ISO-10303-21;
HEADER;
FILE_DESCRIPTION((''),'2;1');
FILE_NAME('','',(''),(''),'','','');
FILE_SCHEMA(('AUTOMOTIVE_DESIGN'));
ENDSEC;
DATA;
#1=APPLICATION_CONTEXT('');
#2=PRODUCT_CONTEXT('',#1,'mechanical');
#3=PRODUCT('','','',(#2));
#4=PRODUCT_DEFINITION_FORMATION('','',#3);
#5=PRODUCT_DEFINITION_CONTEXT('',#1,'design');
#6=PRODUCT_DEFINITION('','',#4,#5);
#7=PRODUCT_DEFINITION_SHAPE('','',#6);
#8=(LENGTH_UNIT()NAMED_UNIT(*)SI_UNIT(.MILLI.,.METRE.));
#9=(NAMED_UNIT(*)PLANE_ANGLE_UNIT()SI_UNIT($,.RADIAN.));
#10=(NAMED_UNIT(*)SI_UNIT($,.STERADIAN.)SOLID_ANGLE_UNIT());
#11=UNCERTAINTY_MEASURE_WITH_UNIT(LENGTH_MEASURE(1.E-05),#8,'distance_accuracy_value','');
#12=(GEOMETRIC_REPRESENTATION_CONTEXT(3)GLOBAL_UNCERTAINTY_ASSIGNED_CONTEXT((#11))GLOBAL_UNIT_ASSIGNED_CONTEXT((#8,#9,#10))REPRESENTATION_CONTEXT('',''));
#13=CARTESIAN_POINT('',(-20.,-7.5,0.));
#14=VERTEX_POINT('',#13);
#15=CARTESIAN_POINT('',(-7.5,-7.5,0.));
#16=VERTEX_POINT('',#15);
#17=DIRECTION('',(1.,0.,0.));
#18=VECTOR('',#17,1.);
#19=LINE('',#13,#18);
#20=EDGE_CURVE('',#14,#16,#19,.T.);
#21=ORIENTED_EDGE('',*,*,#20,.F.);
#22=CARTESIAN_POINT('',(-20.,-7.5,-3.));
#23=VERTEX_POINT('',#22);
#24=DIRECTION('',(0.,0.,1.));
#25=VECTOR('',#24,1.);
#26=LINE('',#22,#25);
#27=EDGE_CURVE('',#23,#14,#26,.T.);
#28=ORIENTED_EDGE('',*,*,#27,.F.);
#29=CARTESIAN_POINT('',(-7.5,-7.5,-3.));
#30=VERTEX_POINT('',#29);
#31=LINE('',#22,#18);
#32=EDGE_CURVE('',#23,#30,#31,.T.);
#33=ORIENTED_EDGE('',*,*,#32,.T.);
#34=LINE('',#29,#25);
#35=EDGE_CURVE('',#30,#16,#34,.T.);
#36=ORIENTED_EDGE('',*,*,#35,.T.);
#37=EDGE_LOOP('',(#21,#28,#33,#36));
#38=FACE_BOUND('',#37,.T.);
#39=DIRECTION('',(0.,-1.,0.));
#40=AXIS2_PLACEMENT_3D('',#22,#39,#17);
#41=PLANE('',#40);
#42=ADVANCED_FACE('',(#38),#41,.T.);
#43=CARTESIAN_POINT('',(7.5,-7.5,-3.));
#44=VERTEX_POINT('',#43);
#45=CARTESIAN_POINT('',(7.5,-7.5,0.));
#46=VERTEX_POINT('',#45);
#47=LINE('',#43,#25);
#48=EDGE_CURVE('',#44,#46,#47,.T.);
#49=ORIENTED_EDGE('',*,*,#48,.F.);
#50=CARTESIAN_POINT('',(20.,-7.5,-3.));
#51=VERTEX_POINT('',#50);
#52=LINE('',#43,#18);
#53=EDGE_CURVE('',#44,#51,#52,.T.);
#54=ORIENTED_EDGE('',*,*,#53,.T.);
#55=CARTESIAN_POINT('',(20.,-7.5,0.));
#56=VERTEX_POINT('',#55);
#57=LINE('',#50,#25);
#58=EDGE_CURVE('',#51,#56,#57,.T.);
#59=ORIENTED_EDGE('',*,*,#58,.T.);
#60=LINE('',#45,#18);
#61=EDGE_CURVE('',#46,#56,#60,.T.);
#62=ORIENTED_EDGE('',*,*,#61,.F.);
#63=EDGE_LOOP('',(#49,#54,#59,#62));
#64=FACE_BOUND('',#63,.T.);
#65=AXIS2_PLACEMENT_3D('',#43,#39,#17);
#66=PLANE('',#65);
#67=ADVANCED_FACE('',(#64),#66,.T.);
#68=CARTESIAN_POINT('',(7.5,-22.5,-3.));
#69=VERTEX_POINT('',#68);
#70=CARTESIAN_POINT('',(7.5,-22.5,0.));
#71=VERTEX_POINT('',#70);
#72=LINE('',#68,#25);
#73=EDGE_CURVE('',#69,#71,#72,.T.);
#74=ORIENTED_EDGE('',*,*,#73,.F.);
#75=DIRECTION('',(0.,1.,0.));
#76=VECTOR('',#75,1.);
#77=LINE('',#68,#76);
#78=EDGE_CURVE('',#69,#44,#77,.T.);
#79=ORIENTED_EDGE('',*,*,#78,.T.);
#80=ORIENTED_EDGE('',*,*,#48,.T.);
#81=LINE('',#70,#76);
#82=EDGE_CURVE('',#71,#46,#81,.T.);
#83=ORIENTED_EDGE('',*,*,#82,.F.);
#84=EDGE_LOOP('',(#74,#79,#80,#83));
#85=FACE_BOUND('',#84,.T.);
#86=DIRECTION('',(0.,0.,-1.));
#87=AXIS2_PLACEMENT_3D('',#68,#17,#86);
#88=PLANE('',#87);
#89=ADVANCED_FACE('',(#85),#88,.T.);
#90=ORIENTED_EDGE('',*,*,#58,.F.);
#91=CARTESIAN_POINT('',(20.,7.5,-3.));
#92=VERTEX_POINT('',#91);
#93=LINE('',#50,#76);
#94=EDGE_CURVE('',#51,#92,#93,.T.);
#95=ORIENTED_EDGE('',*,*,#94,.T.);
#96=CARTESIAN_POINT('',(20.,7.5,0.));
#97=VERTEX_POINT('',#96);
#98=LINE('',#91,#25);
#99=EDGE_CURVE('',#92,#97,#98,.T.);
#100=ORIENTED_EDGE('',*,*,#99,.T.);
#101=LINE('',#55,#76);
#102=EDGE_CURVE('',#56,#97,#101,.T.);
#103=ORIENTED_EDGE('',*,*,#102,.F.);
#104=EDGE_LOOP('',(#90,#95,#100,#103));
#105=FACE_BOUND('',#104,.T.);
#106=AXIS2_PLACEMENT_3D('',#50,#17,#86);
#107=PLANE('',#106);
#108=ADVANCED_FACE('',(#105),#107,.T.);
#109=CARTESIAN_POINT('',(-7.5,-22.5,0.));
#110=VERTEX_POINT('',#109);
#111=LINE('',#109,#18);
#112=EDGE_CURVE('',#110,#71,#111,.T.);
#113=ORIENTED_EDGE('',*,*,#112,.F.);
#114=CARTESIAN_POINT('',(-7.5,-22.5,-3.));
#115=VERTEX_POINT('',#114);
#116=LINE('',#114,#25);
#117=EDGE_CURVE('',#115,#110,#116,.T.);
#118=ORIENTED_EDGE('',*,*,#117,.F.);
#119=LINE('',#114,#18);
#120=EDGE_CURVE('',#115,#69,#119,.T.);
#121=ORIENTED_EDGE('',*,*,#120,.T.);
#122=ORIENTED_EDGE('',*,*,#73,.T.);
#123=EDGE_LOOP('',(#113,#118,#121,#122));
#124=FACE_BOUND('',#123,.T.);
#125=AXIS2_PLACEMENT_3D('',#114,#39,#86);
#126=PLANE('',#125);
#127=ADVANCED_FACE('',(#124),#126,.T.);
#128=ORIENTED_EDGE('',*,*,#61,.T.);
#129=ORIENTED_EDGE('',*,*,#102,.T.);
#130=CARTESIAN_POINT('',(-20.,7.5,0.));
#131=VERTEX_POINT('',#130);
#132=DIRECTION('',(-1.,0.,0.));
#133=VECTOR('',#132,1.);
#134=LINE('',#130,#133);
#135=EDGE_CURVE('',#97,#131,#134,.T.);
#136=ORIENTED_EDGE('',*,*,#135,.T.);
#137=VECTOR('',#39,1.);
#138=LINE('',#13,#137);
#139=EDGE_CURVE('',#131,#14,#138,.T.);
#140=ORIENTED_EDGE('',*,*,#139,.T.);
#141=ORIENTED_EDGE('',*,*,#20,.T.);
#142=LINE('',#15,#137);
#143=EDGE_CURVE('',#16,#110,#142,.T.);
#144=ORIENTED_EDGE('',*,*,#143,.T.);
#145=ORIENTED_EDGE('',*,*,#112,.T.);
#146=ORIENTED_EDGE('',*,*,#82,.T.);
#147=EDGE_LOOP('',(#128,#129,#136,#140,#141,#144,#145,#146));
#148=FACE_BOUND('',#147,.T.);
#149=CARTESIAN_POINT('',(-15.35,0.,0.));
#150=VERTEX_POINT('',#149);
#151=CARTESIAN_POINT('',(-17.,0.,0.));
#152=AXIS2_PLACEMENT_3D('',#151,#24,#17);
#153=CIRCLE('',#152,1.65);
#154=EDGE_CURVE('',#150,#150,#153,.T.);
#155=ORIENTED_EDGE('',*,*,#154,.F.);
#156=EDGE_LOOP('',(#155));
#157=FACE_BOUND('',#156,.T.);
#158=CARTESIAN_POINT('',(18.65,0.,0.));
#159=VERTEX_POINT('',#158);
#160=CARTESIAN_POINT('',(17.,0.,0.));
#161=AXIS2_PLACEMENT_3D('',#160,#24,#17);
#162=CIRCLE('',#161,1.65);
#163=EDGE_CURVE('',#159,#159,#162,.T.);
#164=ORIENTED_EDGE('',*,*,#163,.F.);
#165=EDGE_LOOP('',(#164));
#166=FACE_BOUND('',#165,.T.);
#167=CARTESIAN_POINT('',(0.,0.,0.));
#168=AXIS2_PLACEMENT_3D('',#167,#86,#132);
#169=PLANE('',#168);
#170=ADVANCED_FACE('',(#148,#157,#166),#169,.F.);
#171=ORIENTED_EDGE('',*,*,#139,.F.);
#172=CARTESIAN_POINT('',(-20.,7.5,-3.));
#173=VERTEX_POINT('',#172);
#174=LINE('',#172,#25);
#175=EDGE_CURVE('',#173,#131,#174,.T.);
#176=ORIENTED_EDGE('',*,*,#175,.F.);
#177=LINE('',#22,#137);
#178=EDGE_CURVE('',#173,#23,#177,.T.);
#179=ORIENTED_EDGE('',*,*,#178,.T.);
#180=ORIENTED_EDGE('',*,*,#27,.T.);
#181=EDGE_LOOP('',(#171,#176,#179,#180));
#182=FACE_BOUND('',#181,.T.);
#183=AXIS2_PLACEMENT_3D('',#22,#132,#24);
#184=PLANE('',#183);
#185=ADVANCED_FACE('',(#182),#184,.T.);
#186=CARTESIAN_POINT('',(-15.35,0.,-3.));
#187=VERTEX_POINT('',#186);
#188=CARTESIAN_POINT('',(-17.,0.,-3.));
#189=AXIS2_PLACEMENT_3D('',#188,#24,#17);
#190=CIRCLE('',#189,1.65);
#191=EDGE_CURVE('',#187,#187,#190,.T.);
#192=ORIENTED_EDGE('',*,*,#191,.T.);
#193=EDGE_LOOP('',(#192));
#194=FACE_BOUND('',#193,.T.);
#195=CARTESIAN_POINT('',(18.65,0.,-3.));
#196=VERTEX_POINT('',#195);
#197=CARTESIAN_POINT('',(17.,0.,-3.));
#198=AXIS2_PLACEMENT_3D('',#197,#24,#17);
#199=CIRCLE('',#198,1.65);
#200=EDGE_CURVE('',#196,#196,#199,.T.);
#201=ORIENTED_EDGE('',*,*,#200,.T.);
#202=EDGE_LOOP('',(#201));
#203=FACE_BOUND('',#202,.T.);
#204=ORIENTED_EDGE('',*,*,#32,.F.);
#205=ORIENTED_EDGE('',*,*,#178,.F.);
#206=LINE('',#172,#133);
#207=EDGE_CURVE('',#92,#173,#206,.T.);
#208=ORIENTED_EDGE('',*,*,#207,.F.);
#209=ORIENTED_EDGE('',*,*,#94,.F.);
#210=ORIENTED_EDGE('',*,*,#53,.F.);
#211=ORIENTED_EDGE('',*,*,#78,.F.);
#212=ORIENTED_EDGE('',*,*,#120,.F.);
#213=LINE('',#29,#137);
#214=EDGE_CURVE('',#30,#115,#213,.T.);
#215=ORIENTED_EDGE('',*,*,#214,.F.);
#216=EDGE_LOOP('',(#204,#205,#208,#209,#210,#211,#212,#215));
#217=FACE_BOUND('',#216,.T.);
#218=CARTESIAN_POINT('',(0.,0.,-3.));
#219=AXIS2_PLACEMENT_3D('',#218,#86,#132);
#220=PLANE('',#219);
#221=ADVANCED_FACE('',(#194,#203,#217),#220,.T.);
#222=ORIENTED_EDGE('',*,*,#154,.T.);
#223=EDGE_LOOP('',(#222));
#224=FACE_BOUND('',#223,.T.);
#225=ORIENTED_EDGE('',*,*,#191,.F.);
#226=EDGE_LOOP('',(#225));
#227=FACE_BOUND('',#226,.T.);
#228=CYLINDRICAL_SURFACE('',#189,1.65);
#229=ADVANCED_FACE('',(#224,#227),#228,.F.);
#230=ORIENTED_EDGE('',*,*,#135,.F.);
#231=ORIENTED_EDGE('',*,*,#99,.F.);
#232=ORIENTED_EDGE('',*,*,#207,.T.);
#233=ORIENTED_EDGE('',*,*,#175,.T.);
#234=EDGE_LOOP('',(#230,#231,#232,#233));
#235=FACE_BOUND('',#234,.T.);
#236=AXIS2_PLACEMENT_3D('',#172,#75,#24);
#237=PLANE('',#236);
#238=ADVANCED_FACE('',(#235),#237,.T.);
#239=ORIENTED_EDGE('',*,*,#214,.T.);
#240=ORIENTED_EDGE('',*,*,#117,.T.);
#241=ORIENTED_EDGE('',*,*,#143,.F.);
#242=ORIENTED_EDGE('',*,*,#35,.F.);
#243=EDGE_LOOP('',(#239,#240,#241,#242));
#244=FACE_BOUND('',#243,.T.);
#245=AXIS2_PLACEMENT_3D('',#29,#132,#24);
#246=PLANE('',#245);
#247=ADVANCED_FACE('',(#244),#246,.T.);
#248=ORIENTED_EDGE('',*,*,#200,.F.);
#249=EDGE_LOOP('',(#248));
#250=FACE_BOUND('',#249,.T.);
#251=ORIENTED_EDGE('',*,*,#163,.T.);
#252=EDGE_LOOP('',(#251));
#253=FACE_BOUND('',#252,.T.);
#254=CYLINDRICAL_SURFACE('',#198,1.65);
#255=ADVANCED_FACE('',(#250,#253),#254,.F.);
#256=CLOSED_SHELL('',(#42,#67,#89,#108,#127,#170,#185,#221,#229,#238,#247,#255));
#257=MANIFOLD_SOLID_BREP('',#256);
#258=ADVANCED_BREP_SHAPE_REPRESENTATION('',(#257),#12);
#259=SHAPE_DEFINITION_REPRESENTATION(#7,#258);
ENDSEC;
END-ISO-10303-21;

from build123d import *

# Parameters (mm, degrees)
ESQUISSE1_R        = 1.65
BOSS_EXTRU_1_DEPTH = 3


with BuildPart() as part:
    # Esquisse1 → Boss.-Extru.1 (new body)
    with BuildSketch(Plane.XY):
        Polygon((-7.5, -7.5), (-7.5, -22.5), (7.5, -22.5), (7.5, -7.5), (20, -7.5), (20, 7.5), (-20, 7.5), (-20, -7.5), align=None)
        with Locations((-17, 0)):
            Circle(ESQUISSE1_R, mode=Mode.SUBTRACT)
        with Locations((17, 0)):
            Circle(ESQUISSE1_R, mode=Mode.SUBTRACT)
    extrude(amount=-BOSS_EXTRU_1_DEPTH)


solid = part.part
